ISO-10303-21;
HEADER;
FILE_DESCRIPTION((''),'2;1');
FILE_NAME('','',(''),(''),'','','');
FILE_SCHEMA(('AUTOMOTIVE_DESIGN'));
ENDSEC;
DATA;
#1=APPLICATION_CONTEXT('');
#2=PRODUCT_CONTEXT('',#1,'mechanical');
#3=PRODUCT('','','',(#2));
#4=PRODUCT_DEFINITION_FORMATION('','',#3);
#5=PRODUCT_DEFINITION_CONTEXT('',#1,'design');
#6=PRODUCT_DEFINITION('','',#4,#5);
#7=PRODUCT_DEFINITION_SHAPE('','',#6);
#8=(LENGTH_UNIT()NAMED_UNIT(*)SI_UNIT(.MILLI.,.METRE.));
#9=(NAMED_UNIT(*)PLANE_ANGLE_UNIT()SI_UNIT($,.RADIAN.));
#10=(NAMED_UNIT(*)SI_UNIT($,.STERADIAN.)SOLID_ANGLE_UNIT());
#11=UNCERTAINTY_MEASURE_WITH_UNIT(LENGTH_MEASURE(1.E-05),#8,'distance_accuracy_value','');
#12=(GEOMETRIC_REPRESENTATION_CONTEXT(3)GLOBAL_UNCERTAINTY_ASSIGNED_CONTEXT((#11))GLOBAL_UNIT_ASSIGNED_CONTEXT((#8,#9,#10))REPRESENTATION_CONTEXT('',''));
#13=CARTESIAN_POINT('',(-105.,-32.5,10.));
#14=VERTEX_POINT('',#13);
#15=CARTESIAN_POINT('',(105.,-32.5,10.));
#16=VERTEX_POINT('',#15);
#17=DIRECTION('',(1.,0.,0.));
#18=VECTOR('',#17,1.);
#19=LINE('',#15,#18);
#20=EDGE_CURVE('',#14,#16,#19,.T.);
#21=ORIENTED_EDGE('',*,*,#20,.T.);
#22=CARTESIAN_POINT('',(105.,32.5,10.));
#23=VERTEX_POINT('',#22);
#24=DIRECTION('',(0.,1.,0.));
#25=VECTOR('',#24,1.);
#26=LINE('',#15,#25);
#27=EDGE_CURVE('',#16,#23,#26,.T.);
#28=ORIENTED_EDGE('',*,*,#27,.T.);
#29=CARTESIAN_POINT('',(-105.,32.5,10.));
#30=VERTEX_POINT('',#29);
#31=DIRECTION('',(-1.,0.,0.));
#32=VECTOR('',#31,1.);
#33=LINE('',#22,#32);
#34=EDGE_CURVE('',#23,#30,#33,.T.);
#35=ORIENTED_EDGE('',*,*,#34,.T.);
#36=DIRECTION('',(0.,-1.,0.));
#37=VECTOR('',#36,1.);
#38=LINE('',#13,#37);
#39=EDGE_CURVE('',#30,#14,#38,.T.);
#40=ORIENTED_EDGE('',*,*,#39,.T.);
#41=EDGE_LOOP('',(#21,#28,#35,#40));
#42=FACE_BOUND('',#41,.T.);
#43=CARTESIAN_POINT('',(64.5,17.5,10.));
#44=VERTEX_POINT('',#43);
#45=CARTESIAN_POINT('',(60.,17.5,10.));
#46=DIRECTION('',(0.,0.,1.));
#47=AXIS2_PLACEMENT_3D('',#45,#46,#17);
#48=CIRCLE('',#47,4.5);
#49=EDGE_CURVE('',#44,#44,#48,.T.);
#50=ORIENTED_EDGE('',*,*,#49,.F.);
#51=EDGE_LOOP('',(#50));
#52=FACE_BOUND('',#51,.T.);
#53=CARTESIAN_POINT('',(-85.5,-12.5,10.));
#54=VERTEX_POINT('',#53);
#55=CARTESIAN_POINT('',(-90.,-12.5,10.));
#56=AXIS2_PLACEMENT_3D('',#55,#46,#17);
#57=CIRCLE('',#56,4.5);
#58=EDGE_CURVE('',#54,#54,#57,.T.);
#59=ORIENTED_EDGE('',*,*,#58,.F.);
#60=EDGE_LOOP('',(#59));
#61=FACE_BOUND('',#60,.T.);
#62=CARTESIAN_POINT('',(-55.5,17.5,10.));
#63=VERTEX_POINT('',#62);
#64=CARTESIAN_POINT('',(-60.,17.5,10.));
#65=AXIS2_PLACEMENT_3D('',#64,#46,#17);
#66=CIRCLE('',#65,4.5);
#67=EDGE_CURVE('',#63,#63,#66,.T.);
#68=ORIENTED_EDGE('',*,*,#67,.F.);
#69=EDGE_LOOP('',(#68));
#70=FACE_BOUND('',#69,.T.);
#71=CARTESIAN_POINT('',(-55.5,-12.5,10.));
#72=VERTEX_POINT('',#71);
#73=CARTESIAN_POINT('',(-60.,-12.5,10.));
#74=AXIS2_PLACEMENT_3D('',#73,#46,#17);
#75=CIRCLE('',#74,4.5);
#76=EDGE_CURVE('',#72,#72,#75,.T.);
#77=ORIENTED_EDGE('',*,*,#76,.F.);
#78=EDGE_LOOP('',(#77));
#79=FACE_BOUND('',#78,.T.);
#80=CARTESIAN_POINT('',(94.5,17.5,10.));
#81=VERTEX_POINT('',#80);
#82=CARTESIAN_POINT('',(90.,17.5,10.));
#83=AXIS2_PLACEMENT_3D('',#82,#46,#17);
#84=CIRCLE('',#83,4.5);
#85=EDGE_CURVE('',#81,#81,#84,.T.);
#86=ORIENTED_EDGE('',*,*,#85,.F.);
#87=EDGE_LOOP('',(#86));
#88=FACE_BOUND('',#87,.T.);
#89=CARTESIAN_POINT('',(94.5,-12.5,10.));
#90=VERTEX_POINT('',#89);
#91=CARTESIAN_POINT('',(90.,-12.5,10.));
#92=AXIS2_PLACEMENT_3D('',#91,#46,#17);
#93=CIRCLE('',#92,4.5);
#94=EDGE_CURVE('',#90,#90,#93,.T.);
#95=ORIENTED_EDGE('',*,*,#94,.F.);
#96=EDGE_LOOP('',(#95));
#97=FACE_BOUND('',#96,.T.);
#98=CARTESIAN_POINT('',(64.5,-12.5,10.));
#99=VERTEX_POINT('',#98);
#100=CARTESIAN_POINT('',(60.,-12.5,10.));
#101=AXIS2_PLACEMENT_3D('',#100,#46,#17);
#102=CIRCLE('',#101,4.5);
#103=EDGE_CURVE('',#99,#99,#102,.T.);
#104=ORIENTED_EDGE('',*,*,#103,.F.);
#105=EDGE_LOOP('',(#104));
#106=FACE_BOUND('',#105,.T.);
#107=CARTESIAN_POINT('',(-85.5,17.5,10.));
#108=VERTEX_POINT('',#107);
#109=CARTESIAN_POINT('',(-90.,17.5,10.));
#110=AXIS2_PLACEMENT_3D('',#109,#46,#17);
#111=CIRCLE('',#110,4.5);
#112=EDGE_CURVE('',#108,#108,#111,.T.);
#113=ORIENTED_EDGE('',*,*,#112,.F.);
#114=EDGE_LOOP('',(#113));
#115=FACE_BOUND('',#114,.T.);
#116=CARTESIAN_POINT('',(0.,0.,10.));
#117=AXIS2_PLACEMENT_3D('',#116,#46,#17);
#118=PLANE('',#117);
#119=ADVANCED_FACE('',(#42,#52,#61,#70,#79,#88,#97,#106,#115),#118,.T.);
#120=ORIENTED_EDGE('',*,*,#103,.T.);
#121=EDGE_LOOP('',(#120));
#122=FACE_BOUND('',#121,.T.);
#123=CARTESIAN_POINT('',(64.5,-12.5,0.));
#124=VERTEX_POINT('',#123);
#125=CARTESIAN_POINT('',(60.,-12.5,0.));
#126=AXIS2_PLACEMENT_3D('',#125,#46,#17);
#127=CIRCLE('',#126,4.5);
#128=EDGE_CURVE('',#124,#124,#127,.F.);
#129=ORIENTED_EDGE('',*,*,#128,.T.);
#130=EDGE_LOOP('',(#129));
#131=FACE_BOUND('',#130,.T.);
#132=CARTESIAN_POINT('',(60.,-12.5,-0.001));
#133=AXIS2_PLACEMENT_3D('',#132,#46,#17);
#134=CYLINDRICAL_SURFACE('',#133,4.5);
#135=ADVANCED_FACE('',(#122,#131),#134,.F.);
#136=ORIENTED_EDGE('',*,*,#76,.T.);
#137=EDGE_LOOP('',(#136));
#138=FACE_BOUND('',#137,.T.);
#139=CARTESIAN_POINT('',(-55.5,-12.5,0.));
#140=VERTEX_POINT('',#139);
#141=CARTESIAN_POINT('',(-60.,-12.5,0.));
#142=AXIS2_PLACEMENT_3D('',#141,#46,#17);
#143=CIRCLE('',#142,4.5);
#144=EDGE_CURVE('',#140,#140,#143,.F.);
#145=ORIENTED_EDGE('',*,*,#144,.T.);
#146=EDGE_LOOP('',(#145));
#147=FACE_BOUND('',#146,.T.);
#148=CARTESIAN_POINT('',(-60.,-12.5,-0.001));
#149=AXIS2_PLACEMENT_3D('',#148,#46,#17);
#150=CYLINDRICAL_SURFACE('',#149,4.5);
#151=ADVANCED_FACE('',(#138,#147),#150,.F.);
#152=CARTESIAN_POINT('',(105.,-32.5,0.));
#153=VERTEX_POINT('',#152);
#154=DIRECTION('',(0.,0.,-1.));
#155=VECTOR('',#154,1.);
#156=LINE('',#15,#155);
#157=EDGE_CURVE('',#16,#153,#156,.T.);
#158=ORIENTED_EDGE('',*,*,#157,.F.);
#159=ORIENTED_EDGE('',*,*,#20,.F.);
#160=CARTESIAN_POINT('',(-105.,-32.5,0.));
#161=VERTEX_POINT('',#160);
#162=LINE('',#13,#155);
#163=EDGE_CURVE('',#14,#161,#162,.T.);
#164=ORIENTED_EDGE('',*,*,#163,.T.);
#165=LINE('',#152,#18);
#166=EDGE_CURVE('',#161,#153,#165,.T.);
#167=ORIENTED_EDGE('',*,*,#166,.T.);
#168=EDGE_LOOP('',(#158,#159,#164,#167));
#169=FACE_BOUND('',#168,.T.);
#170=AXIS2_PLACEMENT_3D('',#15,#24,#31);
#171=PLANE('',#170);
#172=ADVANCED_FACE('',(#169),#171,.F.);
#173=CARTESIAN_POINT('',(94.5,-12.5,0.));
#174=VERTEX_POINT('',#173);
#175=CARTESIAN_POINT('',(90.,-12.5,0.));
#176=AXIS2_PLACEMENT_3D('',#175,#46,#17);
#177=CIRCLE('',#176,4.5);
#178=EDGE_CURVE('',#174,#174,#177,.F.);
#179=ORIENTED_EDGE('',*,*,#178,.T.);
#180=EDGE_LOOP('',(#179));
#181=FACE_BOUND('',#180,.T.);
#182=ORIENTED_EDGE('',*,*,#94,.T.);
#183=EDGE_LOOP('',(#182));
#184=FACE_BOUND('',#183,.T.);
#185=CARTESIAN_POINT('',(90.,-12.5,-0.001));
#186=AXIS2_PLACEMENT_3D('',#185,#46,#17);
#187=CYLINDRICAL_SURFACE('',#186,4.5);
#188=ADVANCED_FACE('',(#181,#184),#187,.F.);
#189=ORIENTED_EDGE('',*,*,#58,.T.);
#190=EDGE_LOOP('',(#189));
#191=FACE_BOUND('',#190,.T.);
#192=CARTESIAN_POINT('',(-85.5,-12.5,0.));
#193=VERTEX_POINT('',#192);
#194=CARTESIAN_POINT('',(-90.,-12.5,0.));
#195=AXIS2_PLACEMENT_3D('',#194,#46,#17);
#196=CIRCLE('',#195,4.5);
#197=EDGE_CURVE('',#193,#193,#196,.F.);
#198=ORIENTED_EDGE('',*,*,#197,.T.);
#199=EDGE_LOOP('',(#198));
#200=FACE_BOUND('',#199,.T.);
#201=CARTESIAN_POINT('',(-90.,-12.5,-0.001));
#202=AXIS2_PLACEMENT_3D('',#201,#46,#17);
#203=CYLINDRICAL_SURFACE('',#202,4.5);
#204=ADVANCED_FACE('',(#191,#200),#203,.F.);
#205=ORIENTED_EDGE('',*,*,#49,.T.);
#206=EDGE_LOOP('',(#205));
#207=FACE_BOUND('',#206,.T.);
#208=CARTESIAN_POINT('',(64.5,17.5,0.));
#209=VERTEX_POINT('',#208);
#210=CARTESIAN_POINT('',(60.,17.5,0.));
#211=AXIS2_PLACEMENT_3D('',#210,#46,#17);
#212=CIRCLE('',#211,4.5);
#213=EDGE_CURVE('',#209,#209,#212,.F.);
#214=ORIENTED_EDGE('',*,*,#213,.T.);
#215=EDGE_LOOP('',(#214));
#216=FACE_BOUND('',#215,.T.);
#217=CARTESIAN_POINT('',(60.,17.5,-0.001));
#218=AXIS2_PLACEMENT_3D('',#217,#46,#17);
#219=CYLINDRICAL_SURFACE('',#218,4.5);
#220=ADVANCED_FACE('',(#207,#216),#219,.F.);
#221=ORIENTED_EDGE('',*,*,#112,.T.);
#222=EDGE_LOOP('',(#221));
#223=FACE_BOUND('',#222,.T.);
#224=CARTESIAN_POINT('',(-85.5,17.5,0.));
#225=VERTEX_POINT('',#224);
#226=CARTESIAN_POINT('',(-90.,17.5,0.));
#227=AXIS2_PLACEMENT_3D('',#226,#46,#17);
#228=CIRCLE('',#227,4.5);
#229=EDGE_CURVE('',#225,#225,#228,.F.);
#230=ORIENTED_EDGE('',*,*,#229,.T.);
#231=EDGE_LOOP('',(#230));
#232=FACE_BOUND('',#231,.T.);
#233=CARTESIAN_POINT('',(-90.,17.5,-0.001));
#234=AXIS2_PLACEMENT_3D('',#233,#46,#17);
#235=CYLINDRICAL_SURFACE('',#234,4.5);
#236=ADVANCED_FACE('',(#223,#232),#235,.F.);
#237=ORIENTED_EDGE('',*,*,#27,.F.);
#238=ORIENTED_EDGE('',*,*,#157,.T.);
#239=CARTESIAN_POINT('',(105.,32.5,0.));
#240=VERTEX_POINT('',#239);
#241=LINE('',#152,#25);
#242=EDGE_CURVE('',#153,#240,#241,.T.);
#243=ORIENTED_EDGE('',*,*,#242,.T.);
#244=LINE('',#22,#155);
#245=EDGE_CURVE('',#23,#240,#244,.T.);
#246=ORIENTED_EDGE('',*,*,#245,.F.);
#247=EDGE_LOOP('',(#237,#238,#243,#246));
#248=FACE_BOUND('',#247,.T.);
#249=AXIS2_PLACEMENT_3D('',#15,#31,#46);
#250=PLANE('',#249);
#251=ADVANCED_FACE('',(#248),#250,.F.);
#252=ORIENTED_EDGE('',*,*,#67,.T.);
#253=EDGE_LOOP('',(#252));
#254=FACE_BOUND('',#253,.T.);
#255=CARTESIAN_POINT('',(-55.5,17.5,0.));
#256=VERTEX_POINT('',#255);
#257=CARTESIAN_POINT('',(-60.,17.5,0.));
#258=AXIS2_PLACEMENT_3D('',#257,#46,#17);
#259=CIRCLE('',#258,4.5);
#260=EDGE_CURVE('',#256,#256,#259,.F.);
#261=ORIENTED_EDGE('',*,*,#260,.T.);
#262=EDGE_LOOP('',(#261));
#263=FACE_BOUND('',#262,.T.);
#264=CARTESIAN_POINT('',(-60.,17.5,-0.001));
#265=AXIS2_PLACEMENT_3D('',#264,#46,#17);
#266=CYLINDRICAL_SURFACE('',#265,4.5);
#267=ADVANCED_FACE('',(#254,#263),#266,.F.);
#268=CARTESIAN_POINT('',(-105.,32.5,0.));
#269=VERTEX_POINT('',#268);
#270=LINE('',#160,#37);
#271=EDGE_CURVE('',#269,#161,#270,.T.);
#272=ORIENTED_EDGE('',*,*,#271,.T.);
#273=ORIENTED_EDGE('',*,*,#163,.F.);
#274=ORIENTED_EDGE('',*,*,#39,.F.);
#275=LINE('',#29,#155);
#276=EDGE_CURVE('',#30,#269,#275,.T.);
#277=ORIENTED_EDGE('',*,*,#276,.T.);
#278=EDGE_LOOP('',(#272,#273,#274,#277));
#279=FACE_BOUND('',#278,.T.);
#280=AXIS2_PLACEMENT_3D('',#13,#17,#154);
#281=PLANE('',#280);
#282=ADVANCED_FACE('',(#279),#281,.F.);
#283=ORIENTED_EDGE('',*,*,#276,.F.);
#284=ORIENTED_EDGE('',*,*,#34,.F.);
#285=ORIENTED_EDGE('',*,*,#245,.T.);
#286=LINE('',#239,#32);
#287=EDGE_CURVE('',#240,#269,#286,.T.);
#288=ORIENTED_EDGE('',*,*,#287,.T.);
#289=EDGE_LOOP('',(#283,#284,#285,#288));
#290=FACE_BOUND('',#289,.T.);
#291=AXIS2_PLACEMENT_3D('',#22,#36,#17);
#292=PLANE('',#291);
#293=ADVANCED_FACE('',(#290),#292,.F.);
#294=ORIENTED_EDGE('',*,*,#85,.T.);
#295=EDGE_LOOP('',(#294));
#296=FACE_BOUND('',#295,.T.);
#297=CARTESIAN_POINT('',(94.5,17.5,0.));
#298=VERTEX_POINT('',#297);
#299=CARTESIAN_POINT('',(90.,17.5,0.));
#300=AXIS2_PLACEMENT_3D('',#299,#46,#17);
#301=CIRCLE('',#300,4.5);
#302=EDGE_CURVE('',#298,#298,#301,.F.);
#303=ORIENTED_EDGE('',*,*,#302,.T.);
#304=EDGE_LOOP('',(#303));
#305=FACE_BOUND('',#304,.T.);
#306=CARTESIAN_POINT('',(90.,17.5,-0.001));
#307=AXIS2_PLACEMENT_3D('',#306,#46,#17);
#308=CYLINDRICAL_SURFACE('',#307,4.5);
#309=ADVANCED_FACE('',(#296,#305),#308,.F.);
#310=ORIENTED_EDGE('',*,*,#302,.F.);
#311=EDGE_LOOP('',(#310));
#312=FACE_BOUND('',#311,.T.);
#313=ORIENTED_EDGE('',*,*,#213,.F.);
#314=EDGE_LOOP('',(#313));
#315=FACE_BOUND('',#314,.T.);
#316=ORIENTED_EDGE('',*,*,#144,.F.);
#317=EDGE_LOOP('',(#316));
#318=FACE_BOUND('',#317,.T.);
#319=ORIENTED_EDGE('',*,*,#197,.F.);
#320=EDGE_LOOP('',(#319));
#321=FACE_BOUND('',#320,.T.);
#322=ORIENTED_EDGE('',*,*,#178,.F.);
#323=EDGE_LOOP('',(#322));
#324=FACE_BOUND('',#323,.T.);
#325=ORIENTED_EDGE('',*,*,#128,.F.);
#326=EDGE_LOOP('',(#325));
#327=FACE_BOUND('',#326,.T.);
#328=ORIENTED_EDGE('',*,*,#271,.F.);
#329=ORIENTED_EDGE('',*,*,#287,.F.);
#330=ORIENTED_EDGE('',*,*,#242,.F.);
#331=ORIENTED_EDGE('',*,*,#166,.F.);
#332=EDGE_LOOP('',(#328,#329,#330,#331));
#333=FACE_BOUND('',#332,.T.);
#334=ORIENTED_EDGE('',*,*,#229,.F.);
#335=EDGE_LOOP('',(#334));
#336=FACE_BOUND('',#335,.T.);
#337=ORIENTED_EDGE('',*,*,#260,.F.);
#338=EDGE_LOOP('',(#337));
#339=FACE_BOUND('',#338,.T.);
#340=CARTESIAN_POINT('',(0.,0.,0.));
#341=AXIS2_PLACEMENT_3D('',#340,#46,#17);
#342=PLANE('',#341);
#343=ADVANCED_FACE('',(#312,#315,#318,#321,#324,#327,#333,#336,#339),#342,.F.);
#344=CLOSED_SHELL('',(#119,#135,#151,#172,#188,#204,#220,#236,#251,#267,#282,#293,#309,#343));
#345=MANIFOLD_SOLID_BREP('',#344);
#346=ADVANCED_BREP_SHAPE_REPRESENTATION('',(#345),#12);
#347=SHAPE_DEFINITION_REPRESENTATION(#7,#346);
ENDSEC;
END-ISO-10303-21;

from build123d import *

# Parameters (mm, degrees)
SKETCH1_W           = 210
SKETCH1_H           = 65
BOSS_EXTRUDE1_DEPTH = 10
CUT_EXTRUDE1_REACH  = 112.369
SKETCH2_R           = 4.5


with BuildPart() as part:
    # Sketch1 → Boss-Extrude1 (new body)
    with BuildSketch(Plane.XY):
        Rectangle(SKETCH1_W, SKETCH1_H)
    extrude(amount=BOSS_EXTRUDE1_DEPTH)

    # Sketch2 → Cut-Extrude1 (cut, up to next)
    with BuildSketch(Plane.XY.offset(10), mode=Mode.PRIVATE) as cut_extrude1_sk1:
        with Locations((-90, -12.5)):
            Circle(SKETCH2_R)
    cut_extrude1_tool1 = extrude(cut_extrude1_sk1.sketch, amount=-CUT_EXTRUDE1_REACH, mode=Mode.PRIVATE) & part.part
    # Sketch2 → Cut-Extrude1 (cut, up to next)
    with BuildSketch(Plane.XY.offset(10), mode=Mode.PRIVATE) as cut_extrude1_sk2:
        with Locations((-90, 17.5)):
            Circle(SKETCH2_R)
    cut_extrude1_tool2 = extrude(cut_extrude1_sk2.sketch, amount=-CUT_EXTRUDE1_REACH, mode=Mode.PRIVATE) & part.part
    # Sketch2 → Cut-Extrude1 (cut, up to next)
    with BuildSketch(Plane.XY.offset(10), mode=Mode.PRIVATE) as cut_extrude1_sk3:
        with Locations((-60, 17.5)):
            Circle(SKETCH2_R)
    cut_extrude1_tool3 = extrude(cut_extrude1_sk3.sketch, amount=-CUT_EXTRUDE1_REACH, mode=Mode.PRIVATE) & part.part
    # Sketch2 → Cut-Extrude1 (cut, up to next)
    with BuildSketch(Plane.XY.offset(10), mode=Mode.PRIVATE) as cut_extrude1_sk4:
        with Locations((-60, -12.5)):
            Circle(SKETCH2_R)
    cut_extrude1_tool4 = extrude(cut_extrude1_sk4.sketch, amount=-CUT_EXTRUDE1_REACH, mode=Mode.PRIVATE) & part.part
    # Sketch2 → Cut-Extrude1 (cut, up to next)
    with BuildSketch(Plane.XY.offset(10), mode=Mode.PRIVATE) as cut_extrude1_sk5:
        with Locations((60, 17.5)):
            Circle(SKETCH2_R)
    cut_extrude1_tool5 = extrude(cut_extrude1_sk5.sketch, amount=-CUT_EXTRUDE1_REACH, mode=Mode.PRIVATE) & part.part
    # Sketch2 → Cut-Extrude1 (cut, up to next)
    with BuildSketch(Plane.XY.offset(10), mode=Mode.PRIVATE) as cut_extrude1_sk6:
        with Locations((90, 17.5)):
            Circle(SKETCH2_R)
    cut_extrude1_tool6 = extrude(cut_extrude1_sk6.sketch, amount=-CUT_EXTRUDE1_REACH, mode=Mode.PRIVATE) & part.part
    # Sketch2 → Cut-Extrude1 (cut, up to next)
    with BuildSketch(Plane.XY.offset(10), mode=Mode.PRIVATE) as cut_extrude1_sk7:
        with Locations((60, -12.5)):
            Circle(SKETCH2_R)
    cut_extrude1_tool7 = extrude(cut_extrude1_sk7.sketch, amount=-CUT_EXTRUDE1_REACH, mode=Mode.PRIVATE) & part.part
    # Sketch2 → Cut-Extrude1 (cut, up to next)
    with BuildSketch(Plane.XY.offset(10), mode=Mode.PRIVATE) as cut_extrude1_sk8:
        with Locations((90, -12.5)):
            Circle(SKETCH2_R)
    cut_extrude1_tool8 = extrude(cut_extrude1_sk8.sketch, amount=-CUT_EXTRUDE1_REACH, mode=Mode.PRIVATE) & part.part
    add(cut_extrude1_tool1.solids().sort_by_distance((-90, -12.5, 10))[0], mode=Mode.SUBTRACT)
    add(cut_extrude1_tool2.solids().sort_by_distance((-90, 17.5, 10))[0], mode=Mode.SUBTRACT)
    add(cut_extrude1_tool3.solids().sort_by_distance((-60, 17.5, 10))[0], mode=Mode.SUBTRACT)
    add(cut_extrude1_tool4.solids().sort_by_distance((-60, -12.5, 10))[0], mode=Mode.SUBTRACT)
    add(cut_extrude1_tool5.solids().sort_by_distance((60, 17.5, 10))[0], mode=Mode.SUBTRACT)
    add(cut_extrude1_tool6.solids().sort_by_distance((90, 17.5, 10))[0], mode=Mode.SUBTRACT)
    add(cut_extrude1_tool7.solids().sort_by_distance((60, -12.5, 10))[0], mode=Mode.SUBTRACT)
    add(cut_extrude1_tool8.solids().sort_by_distance((90, -12.5, 10))[0], mode=Mode.SUBTRACT)


solid = part.part
